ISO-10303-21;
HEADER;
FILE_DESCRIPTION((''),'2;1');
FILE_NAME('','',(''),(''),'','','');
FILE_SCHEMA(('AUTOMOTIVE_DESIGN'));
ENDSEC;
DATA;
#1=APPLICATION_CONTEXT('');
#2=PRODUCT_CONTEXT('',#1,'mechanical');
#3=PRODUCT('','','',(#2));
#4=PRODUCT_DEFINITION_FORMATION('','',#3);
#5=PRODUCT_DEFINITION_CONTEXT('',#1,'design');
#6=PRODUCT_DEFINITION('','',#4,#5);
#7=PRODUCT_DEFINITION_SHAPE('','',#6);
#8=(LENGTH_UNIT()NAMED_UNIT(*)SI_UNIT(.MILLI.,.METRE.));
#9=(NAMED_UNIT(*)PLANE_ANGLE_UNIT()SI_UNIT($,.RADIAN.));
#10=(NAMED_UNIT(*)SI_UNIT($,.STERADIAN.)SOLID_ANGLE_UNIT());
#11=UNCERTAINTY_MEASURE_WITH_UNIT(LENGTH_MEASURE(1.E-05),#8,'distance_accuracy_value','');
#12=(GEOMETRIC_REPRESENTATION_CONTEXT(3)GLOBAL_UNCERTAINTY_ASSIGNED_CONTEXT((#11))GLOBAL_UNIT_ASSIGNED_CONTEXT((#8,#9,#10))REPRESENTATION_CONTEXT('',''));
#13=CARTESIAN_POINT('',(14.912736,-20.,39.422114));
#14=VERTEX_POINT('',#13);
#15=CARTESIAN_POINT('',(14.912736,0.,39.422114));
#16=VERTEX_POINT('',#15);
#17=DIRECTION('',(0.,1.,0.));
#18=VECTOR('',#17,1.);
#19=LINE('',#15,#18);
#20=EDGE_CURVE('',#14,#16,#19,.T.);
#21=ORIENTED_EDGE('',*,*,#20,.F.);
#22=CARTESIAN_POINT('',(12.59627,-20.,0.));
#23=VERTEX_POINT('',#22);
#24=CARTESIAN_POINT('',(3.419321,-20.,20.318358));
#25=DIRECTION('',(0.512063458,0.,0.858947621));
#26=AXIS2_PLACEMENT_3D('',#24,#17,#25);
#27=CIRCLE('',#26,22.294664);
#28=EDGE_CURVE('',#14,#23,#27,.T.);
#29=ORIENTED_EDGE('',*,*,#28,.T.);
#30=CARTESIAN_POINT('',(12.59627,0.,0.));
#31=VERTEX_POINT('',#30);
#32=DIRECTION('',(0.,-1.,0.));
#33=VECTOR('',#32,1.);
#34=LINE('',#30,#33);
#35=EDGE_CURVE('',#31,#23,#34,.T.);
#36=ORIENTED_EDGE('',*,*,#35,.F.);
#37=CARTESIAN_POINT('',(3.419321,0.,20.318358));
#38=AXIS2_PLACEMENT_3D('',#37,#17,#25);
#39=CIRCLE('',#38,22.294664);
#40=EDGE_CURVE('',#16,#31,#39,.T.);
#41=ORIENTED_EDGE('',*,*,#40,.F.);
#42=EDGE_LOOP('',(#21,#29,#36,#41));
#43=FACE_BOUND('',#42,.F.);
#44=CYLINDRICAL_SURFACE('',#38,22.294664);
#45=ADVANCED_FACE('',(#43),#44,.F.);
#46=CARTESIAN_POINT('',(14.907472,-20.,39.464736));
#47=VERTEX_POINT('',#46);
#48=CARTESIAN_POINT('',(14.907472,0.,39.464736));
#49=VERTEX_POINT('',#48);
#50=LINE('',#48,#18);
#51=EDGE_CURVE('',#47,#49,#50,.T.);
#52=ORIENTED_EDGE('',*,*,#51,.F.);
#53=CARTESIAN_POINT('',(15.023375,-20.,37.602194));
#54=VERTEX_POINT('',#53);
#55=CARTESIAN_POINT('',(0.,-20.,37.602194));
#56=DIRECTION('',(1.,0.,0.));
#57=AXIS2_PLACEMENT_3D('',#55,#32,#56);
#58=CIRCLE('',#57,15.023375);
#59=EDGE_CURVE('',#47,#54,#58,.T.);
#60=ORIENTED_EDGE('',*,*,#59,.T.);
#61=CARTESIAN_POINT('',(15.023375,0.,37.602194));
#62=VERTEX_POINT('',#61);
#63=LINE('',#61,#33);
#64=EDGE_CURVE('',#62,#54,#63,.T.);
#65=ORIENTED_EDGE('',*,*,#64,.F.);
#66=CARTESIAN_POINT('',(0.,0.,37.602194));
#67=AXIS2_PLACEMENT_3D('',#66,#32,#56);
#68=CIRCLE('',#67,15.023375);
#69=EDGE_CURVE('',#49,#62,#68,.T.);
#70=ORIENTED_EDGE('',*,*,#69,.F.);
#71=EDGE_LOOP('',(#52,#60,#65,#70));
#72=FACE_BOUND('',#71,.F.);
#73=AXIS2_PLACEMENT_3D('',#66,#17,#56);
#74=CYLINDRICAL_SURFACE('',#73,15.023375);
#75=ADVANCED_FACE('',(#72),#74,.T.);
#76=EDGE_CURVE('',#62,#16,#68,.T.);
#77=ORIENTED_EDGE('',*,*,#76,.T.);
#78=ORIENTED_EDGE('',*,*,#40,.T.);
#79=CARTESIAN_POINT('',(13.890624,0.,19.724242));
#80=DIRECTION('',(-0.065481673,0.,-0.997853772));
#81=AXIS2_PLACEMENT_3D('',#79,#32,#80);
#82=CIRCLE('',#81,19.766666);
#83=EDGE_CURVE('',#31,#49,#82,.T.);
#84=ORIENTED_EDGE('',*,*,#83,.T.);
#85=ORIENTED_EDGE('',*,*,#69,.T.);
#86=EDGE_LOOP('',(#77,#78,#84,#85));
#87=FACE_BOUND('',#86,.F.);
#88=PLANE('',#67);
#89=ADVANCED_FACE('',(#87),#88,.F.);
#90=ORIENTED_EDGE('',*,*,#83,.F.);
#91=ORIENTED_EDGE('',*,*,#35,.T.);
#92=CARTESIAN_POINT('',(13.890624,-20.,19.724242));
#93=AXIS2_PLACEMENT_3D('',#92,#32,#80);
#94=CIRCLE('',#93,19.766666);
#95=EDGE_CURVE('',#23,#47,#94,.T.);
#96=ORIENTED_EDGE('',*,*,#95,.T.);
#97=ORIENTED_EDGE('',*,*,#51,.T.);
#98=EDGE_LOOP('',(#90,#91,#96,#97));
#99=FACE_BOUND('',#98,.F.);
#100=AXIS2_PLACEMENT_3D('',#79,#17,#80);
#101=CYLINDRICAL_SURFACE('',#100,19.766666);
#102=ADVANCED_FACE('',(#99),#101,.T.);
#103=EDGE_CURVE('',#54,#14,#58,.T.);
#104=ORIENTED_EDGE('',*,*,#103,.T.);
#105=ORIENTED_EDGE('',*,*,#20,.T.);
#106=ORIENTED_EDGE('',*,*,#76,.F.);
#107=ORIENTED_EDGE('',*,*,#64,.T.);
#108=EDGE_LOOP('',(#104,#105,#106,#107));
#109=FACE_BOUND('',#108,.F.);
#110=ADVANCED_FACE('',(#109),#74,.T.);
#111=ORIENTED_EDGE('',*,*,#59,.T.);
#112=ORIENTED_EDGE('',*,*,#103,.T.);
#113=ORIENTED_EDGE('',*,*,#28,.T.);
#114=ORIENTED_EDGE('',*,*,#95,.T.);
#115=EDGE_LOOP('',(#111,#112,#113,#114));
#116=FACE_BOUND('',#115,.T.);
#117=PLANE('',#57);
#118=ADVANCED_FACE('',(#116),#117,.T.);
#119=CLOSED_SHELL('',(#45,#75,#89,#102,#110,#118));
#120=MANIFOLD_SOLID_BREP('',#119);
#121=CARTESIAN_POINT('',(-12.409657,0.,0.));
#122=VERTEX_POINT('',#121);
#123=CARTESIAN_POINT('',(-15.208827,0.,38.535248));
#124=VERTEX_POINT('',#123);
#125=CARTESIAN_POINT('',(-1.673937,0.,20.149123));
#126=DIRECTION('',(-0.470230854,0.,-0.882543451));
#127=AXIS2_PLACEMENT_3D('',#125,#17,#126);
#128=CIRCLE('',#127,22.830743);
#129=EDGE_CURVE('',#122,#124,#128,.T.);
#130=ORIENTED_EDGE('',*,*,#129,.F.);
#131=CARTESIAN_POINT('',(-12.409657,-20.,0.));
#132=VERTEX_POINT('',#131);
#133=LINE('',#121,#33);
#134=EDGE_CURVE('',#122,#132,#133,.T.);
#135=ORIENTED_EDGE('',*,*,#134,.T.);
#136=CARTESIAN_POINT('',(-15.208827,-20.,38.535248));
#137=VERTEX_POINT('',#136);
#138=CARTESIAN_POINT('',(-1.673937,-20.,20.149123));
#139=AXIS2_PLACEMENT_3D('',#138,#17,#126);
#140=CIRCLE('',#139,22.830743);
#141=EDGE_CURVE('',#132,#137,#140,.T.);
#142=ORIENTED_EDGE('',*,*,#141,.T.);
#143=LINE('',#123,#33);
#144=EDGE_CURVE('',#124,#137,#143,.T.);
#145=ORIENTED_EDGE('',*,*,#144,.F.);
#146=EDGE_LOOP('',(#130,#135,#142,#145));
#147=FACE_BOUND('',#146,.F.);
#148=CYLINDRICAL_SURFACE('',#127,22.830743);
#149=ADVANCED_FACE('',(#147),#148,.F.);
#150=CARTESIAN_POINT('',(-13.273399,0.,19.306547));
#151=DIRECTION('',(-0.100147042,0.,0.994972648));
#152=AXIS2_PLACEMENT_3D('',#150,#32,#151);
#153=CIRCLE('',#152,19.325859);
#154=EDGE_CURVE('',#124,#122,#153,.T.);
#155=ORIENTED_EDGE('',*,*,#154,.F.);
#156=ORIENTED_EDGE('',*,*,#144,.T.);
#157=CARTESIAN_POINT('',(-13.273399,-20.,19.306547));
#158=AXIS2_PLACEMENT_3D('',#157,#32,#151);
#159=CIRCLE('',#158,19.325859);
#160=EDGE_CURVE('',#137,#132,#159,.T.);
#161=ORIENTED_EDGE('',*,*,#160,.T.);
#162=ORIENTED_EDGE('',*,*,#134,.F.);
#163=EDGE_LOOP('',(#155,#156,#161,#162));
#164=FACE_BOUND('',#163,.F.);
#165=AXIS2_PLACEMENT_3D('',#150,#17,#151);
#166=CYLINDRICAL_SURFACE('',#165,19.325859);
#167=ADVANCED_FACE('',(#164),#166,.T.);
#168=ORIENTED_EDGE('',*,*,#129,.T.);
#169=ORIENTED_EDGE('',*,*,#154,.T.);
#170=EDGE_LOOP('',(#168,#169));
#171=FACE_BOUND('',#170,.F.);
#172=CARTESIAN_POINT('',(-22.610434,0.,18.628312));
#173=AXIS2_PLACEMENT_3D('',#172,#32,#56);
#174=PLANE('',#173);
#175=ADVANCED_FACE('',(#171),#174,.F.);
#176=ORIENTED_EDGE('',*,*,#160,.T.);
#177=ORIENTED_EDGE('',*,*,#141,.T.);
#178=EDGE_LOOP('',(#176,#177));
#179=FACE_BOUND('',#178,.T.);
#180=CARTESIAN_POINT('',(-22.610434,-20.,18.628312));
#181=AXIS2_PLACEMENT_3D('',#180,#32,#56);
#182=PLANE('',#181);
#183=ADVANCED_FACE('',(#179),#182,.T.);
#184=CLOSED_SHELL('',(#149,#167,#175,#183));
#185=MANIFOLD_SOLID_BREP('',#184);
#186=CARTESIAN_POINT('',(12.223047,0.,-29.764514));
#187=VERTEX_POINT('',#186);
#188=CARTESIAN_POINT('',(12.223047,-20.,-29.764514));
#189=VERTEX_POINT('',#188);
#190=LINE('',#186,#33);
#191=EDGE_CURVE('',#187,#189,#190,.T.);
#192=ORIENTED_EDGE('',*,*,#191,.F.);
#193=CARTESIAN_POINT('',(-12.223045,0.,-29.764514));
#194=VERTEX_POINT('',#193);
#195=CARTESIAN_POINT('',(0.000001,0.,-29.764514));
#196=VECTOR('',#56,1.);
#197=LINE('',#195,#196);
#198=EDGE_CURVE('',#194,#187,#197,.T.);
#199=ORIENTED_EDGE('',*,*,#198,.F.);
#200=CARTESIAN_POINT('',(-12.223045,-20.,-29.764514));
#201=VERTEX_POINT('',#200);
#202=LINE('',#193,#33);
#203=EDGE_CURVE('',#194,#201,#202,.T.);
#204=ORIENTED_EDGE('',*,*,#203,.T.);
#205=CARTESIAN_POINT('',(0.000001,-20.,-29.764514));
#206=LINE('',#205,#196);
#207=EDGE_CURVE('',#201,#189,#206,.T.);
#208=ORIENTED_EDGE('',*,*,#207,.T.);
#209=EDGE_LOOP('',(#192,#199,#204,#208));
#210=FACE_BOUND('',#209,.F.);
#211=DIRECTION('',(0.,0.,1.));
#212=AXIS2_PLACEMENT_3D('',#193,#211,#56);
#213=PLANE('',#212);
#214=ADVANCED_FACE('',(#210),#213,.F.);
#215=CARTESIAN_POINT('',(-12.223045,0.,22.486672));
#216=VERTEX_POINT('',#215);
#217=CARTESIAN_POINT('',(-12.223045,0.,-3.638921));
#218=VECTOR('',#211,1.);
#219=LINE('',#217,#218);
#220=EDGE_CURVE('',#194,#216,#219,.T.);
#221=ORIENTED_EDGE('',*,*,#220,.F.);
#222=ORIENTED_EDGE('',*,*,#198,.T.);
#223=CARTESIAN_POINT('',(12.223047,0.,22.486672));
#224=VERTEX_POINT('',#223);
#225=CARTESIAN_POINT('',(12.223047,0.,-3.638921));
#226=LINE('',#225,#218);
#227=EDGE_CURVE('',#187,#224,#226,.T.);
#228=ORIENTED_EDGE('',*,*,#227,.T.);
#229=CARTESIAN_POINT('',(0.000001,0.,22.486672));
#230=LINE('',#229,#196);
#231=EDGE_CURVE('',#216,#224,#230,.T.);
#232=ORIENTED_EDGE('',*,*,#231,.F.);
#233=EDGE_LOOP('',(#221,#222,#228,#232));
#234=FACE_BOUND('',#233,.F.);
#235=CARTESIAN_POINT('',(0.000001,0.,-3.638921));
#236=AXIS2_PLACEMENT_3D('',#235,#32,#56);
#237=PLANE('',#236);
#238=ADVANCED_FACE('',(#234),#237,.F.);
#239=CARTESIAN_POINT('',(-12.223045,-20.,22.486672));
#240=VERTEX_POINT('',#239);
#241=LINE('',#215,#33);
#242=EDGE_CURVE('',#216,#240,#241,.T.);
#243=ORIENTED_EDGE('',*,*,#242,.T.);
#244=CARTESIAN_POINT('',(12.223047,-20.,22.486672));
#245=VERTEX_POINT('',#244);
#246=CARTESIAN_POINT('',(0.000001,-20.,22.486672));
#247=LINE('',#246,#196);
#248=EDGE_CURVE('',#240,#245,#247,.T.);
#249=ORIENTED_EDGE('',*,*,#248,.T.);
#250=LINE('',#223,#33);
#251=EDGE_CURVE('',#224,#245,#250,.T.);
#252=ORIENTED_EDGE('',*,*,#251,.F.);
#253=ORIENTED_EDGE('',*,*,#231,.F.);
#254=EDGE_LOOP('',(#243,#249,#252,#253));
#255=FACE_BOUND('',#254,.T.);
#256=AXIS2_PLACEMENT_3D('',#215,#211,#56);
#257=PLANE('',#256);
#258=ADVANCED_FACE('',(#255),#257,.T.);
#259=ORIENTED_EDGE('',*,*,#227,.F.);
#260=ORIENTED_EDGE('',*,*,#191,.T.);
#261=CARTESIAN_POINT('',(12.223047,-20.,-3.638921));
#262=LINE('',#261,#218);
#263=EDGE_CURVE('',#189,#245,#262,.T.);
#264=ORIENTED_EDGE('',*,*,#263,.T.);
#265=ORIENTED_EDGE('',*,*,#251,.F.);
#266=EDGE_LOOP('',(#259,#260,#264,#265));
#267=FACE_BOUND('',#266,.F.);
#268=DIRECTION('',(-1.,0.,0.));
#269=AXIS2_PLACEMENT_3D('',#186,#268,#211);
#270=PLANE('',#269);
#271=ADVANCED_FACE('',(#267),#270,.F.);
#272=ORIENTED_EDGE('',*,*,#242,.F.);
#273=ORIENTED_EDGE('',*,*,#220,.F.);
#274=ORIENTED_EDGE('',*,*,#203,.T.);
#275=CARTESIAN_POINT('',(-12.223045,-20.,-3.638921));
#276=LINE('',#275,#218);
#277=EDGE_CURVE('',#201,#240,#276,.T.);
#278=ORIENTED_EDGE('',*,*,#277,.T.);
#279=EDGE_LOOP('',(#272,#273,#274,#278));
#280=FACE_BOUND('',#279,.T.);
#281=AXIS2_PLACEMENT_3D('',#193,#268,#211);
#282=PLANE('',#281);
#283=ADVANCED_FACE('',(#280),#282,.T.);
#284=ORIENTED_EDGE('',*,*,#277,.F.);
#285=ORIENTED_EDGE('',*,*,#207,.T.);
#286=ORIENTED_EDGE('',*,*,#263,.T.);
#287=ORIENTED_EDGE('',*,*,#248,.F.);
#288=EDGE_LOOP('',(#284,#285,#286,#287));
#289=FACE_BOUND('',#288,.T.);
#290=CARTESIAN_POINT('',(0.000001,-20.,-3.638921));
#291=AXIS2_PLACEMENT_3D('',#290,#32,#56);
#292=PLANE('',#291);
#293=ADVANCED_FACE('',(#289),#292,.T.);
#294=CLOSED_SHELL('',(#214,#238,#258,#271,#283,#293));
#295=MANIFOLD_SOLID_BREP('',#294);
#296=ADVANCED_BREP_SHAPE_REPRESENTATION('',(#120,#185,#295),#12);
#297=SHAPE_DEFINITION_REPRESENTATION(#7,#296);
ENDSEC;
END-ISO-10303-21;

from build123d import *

# Parameters (mm, degrees)
F0_R     = 15.023375
F1_DEPTH = 20
F2_W     = 24.446092
F2_H     = 52.251186
F3_DEPTH = 20
F5_DEPTH = 20
F7_DEPTH = 20


with BuildPart() as f1:
    # F0 (on Front) → F1 (new body)
    with BuildSketch(Plane.XZ):
        with Locations((0, 37.602194)):
            Circle(F0_R)
    extrude(amount=F1_DEPTH)

    # F4 (on Front) → F5 (join)
    with BuildSketch(Plane.XZ):
        with BuildLine():
            ThreePointArc((14.835604, 39.468307), (25.678187, 19.055445), (12.59627, 0))
            ThreePointArc((12.59627, 0), (33.625551, 18.604531), (14.835604, 39.468307))
        make_face()
    extrude(amount=F5_DEPTH)


with BuildPart() as f3:
    # F2 (on Front) → F3 (new body)
    with BuildSketch(Plane.XZ):
        with Locations((1e-06, -3.638921)):
            Rectangle(F2_W, F2_H)
    extrude(amount=F3_DEPTH)


with BuildPart() as f7:
    # F6 (on Front) → F7 (new body)
    with BuildSketch(Plane.XZ):
        with BuildLine():
            ThreePointArc((-12.409657, 0), (-24.444685, 18.495074), (-15.208827, 38.535248))
            ThreePointArc((-15.208827, 38.535248), (-32.548473, 17.906421), (-12.409657, 0))
        make_face()
    extrude(amount=F7_DEPTH)


solid = Compound([f1.part, f3.part, f7.part])
